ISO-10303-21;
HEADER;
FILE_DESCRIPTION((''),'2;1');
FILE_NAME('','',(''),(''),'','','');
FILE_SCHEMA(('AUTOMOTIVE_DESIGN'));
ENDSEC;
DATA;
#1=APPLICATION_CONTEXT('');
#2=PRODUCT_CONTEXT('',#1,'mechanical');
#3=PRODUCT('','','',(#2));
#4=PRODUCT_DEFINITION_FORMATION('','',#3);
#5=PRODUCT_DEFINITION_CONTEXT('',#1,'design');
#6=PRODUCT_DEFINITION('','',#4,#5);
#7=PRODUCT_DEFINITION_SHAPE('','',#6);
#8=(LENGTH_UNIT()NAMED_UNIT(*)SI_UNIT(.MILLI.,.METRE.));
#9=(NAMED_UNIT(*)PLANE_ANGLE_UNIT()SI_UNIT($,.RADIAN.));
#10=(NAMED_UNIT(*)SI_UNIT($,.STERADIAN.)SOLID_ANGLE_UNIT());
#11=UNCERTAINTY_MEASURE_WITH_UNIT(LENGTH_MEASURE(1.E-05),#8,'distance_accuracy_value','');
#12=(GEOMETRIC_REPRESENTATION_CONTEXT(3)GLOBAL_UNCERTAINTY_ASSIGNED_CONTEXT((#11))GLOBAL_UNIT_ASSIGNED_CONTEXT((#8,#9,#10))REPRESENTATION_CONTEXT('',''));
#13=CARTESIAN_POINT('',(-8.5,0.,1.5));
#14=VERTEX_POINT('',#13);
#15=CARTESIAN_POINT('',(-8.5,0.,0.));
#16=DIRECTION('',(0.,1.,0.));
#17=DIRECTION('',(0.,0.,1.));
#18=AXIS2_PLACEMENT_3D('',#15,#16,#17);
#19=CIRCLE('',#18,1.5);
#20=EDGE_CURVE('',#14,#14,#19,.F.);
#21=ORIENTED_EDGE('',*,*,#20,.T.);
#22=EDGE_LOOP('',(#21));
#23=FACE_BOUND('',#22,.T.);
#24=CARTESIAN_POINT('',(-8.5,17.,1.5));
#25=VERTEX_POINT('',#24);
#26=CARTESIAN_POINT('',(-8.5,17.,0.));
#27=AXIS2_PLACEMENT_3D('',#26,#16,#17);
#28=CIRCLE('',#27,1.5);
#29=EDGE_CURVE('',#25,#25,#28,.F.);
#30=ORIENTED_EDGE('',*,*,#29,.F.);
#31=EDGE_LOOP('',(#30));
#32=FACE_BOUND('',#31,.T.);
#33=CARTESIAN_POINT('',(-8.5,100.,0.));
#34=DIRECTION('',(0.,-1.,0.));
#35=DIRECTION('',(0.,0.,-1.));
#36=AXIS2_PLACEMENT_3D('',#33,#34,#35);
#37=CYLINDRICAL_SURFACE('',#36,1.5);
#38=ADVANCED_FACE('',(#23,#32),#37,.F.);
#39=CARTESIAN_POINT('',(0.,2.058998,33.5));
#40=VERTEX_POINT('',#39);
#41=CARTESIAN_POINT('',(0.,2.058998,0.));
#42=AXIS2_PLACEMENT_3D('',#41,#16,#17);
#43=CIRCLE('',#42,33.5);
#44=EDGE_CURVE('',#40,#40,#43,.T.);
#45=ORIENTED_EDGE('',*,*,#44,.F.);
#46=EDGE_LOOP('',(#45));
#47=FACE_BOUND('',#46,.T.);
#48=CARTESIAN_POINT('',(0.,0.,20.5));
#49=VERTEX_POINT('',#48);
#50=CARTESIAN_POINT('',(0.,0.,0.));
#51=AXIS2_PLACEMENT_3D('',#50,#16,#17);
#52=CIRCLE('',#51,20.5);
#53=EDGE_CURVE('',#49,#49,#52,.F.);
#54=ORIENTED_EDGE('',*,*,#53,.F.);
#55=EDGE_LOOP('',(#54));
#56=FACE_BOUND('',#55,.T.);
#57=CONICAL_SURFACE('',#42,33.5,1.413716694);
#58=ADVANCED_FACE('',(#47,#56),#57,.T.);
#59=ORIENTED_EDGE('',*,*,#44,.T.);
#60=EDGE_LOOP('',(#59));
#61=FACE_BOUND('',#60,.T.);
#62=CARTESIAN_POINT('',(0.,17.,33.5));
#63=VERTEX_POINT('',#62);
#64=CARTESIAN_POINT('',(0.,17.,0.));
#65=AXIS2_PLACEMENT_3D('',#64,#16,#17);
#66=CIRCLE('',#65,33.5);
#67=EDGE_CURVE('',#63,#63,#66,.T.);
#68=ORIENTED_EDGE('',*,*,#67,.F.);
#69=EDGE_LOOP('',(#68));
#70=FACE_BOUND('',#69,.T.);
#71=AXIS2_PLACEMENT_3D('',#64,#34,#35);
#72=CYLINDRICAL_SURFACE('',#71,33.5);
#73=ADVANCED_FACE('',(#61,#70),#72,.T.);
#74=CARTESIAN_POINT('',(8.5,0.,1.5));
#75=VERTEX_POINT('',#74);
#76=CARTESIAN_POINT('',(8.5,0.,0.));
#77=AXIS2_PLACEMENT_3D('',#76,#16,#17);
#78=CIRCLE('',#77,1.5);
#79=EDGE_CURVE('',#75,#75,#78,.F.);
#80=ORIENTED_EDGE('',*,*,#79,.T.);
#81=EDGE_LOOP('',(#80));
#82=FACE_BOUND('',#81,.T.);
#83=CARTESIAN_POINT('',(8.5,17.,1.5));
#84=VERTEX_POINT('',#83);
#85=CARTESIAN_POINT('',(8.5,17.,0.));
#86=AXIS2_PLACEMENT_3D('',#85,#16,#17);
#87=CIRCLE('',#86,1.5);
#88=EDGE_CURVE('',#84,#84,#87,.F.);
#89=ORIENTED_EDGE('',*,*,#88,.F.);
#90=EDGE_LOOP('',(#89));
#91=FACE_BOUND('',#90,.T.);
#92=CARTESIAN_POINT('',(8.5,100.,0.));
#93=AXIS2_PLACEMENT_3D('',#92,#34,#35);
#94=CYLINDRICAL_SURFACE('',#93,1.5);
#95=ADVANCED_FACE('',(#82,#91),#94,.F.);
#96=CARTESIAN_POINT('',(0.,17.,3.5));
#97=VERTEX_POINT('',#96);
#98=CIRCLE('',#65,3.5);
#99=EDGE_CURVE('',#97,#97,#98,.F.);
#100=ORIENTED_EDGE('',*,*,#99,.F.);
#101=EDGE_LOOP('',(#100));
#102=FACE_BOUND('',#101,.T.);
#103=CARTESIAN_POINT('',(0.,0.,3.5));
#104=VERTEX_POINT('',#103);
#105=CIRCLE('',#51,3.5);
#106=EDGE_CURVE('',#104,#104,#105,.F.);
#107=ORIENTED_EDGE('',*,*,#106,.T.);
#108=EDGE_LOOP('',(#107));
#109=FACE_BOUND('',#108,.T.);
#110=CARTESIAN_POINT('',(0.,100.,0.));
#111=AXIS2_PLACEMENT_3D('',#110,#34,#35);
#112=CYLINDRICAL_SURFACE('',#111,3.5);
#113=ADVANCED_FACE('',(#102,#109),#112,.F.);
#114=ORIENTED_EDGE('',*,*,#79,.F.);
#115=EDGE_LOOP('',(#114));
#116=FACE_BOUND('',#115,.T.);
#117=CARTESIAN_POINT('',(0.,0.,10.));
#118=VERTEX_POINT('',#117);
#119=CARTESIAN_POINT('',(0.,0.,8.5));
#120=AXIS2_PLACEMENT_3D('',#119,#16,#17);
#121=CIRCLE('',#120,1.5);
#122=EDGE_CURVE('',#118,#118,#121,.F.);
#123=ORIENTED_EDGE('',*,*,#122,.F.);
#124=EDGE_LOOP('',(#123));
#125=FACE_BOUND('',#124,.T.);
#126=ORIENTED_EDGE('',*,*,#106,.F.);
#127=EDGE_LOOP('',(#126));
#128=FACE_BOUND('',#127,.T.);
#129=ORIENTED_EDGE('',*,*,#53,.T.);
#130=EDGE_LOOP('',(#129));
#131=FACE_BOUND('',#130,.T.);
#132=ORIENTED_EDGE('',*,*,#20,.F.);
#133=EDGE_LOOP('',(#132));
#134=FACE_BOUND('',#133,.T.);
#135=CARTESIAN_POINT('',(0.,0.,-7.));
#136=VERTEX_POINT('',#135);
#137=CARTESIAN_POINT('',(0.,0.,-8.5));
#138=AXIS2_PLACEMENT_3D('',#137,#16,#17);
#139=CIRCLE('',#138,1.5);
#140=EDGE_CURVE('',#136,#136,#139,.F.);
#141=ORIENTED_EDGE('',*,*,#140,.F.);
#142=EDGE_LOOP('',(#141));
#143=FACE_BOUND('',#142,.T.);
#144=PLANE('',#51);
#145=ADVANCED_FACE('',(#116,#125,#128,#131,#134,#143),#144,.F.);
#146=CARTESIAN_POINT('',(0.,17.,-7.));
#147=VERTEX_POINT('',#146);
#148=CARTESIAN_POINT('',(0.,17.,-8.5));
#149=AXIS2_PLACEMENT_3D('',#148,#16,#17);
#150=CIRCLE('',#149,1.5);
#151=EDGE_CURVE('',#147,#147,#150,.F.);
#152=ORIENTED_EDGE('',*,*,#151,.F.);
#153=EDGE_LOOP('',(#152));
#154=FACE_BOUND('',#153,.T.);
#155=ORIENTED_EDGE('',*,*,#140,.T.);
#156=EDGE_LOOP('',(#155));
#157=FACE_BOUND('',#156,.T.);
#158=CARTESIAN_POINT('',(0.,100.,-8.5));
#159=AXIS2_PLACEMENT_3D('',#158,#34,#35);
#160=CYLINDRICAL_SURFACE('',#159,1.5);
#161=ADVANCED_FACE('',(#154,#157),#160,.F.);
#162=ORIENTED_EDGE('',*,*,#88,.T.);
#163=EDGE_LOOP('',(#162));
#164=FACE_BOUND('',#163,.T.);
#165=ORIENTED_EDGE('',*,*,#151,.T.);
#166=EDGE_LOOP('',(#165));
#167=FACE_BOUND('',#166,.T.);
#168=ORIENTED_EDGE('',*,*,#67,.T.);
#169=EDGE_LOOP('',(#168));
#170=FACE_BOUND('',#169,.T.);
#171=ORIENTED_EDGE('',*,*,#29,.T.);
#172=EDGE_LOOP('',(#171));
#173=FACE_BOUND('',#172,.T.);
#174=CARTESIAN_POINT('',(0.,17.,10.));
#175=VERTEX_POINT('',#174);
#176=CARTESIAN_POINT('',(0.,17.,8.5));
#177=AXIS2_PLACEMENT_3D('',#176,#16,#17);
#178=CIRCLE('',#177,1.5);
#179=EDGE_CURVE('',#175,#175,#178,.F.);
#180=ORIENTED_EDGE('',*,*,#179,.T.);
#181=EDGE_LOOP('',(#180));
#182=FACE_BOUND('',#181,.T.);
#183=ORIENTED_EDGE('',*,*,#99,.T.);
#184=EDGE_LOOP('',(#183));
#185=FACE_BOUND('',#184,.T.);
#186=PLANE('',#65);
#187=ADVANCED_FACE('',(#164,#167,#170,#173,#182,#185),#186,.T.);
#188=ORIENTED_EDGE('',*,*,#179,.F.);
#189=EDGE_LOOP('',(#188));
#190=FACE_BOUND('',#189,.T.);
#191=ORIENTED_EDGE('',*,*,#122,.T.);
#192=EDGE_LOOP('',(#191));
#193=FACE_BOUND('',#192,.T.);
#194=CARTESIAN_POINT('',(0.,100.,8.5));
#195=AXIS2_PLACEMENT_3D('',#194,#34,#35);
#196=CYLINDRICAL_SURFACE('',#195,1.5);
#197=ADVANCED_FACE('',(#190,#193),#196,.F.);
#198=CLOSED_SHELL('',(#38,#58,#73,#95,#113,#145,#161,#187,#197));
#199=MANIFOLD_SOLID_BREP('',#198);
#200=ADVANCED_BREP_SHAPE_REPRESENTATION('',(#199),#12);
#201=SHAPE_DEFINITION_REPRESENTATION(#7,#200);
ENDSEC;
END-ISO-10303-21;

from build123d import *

# Parameters (mm, degrees)
SKETCH1_R               = 33.5
BOSS_EXTRUDE1_DEPTH     = 17
SKETCH2_R               = 3.5
CUT_EXTRUDE1_DEPTH      = 100
CUT_EXTRUDE1_DEPTH_BACK = 100
SKETCH3_R               = 1.5
CUT_EXTRUDE2_DEPTH      = 100
CUT_EXTRUDE2_DEPTH_BACK = 100
CHAMFER1_SIZE           = 13
CHAMFER1_SIZE2          = 2.058997724


with BuildPart() as part:
    # Sketch1 → Boss-Extrude1 (new body)
    with BuildSketch(Plane(origin=(0, 0, 0), x_dir=(1, 0, 0), z_dir=(0, 1, 0))):
        Circle(SKETCH1_R)
    extrude(amount=BOSS_EXTRUDE1_DEPTH)

    # Sketch2 → Cut-Extrude1 (cut, two sides)
    with BuildSketch(Plane(origin=(0, 0, 0), x_dir=(1, 0, 0), z_dir=(0, 1, 0))) as cut_extrude1_sk:
        Circle(SKETCH2_R)
    extrude(amount=CUT_EXTRUDE1_DEPTH, mode=Mode.SUBTRACT)
    extrude(cut_extrude1_sk.sketch, amount=-CUT_EXTRUDE1_DEPTH_BACK, mode=Mode.SUBTRACT)

    # Sketch3 → Cut-Extrude2 (cut, two sides)
    with BuildSketch(Plane(origin=(0, 0, 0), x_dir=(1, 0, 0), z_dir=(0, 1, 0))) as cut_extrude2_sk:
        with Locations((8.5, 0)):
            Circle(SKETCH3_R)
        with Locations((-8.5, 0)):
            Circle(SKETCH3_R)
        with Locations((0, -8.5)):
            Circle(SKETCH3_R)
        with Locations((0, 8.5)):
            Circle(SKETCH3_R)
    extrude(amount=CUT_EXTRUDE2_DEPTH, mode=Mode.SUBTRACT)
    extrude(cut_extrude2_sk.sketch, amount=-CUT_EXTRUDE2_DEPTH_BACK, mode=Mode.SUBTRACT)

    # Chamfer1
    chamfer1_edges = [part.edges().sort_by_distance(p)[0] for p in [
        (-33.5, 0, 0),
    ]]
    chamfer1_side = [part.faces().sort_by_distance(p)[0] for p in [
        (-32.552476913, 0, 0),
    ]]
    chamfer(chamfer1_edges, length=CHAMFER1_SIZE, length2=CHAMFER1_SIZE2, reference=chamfer1_side[0])


solid = part.part
